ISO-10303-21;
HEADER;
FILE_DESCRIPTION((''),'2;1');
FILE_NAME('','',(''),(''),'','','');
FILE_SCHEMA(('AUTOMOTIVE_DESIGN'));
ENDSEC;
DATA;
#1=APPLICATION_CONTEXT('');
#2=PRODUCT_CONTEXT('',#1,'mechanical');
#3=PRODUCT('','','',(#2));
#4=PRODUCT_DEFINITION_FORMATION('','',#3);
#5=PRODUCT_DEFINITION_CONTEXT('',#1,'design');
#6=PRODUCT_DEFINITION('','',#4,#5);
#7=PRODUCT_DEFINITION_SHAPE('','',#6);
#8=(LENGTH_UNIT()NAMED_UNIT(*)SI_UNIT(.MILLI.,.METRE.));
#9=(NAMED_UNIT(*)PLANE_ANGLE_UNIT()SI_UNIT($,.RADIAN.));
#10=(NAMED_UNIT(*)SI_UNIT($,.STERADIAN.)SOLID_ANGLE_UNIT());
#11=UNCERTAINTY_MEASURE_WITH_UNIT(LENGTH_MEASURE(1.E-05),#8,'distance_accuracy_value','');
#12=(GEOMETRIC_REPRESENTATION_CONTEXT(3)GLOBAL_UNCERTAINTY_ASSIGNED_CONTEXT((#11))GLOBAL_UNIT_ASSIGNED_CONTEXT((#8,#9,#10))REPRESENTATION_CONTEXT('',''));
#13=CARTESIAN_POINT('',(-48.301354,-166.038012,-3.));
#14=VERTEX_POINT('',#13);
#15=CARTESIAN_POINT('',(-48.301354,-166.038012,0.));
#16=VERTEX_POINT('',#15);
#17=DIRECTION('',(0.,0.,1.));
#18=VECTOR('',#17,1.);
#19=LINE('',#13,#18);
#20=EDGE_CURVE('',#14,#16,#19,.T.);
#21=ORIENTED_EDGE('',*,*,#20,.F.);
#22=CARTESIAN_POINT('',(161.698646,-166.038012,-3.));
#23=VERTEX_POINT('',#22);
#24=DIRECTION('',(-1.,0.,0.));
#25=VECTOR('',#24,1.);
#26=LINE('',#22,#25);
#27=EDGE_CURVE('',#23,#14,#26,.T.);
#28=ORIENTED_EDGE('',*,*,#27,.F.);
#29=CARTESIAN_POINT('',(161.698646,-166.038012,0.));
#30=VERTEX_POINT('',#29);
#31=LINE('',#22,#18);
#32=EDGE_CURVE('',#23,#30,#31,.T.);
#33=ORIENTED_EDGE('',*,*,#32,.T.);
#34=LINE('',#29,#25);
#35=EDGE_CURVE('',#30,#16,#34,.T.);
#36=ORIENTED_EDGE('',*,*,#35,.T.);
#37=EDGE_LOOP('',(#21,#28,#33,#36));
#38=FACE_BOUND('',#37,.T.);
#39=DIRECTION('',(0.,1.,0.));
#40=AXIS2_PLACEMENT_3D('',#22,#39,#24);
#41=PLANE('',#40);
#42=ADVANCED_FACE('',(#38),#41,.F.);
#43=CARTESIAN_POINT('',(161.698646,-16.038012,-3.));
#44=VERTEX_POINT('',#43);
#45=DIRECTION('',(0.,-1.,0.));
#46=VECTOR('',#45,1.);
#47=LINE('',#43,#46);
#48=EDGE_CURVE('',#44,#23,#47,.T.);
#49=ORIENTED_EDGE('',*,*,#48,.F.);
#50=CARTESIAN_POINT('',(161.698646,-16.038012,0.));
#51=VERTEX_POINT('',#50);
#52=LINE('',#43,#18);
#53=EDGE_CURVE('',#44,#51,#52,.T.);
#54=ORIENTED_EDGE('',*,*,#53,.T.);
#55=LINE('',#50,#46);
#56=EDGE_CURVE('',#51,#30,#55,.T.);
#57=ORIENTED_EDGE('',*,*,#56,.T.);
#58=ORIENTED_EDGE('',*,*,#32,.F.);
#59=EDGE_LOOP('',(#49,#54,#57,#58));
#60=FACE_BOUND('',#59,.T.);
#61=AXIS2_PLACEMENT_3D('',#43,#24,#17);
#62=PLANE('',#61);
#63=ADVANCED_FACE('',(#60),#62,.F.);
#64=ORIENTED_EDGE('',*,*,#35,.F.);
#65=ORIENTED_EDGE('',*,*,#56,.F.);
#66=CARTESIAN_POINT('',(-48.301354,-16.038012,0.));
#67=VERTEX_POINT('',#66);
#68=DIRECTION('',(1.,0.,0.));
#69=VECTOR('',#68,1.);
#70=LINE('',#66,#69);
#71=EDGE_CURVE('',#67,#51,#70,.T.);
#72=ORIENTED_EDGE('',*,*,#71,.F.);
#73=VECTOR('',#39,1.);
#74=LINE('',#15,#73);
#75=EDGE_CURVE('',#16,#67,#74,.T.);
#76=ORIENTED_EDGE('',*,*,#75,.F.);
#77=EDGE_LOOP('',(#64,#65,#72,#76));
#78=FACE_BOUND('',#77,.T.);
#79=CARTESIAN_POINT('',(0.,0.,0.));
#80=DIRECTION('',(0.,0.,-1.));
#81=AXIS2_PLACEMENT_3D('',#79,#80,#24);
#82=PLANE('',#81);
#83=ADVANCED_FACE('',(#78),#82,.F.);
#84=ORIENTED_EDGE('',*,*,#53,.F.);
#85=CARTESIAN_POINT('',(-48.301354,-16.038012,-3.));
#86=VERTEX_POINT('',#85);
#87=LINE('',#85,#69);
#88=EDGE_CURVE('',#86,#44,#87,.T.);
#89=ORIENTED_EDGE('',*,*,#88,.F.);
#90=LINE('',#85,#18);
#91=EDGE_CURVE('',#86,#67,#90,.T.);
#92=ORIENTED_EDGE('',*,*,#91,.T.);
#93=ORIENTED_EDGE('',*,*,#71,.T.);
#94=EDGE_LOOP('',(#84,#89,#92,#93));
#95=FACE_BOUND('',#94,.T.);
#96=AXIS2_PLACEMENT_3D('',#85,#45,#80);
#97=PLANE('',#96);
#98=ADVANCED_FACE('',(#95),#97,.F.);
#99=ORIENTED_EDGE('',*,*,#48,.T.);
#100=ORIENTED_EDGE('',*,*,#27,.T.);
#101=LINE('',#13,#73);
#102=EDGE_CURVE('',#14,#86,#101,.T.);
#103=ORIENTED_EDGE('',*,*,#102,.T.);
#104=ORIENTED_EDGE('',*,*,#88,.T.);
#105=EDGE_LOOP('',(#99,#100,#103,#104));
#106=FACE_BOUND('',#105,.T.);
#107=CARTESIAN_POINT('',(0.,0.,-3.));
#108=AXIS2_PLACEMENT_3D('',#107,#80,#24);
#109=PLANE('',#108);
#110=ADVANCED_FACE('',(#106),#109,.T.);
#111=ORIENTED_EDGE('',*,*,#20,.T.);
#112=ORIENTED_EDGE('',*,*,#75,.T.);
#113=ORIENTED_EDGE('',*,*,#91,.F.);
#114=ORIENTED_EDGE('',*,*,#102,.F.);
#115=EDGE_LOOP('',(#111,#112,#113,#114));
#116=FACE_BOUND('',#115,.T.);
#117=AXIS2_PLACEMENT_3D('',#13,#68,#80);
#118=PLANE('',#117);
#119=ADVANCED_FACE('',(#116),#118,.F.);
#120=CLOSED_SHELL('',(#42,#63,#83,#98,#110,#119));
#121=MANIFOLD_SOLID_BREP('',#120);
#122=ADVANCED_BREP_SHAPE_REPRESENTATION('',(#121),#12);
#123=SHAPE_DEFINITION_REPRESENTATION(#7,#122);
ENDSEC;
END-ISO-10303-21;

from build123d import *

# Parameters (mm, degrees)
SKETCH3_W           = 210
SKETCH3_H           = 150
BOSS_EXTRUDE3_DEPTH = 3


with BuildPart() as part:
    # Sketch3 → Boss-Extrude3 (new body)
    with BuildSketch(Plane.XY):
        with Locations((56.698645522, -91.038012074)):
            Rectangle(SKETCH3_W, SKETCH3_H)
    extrude(amount=-BOSS_EXTRUDE3_DEPTH)


solid = part.part
